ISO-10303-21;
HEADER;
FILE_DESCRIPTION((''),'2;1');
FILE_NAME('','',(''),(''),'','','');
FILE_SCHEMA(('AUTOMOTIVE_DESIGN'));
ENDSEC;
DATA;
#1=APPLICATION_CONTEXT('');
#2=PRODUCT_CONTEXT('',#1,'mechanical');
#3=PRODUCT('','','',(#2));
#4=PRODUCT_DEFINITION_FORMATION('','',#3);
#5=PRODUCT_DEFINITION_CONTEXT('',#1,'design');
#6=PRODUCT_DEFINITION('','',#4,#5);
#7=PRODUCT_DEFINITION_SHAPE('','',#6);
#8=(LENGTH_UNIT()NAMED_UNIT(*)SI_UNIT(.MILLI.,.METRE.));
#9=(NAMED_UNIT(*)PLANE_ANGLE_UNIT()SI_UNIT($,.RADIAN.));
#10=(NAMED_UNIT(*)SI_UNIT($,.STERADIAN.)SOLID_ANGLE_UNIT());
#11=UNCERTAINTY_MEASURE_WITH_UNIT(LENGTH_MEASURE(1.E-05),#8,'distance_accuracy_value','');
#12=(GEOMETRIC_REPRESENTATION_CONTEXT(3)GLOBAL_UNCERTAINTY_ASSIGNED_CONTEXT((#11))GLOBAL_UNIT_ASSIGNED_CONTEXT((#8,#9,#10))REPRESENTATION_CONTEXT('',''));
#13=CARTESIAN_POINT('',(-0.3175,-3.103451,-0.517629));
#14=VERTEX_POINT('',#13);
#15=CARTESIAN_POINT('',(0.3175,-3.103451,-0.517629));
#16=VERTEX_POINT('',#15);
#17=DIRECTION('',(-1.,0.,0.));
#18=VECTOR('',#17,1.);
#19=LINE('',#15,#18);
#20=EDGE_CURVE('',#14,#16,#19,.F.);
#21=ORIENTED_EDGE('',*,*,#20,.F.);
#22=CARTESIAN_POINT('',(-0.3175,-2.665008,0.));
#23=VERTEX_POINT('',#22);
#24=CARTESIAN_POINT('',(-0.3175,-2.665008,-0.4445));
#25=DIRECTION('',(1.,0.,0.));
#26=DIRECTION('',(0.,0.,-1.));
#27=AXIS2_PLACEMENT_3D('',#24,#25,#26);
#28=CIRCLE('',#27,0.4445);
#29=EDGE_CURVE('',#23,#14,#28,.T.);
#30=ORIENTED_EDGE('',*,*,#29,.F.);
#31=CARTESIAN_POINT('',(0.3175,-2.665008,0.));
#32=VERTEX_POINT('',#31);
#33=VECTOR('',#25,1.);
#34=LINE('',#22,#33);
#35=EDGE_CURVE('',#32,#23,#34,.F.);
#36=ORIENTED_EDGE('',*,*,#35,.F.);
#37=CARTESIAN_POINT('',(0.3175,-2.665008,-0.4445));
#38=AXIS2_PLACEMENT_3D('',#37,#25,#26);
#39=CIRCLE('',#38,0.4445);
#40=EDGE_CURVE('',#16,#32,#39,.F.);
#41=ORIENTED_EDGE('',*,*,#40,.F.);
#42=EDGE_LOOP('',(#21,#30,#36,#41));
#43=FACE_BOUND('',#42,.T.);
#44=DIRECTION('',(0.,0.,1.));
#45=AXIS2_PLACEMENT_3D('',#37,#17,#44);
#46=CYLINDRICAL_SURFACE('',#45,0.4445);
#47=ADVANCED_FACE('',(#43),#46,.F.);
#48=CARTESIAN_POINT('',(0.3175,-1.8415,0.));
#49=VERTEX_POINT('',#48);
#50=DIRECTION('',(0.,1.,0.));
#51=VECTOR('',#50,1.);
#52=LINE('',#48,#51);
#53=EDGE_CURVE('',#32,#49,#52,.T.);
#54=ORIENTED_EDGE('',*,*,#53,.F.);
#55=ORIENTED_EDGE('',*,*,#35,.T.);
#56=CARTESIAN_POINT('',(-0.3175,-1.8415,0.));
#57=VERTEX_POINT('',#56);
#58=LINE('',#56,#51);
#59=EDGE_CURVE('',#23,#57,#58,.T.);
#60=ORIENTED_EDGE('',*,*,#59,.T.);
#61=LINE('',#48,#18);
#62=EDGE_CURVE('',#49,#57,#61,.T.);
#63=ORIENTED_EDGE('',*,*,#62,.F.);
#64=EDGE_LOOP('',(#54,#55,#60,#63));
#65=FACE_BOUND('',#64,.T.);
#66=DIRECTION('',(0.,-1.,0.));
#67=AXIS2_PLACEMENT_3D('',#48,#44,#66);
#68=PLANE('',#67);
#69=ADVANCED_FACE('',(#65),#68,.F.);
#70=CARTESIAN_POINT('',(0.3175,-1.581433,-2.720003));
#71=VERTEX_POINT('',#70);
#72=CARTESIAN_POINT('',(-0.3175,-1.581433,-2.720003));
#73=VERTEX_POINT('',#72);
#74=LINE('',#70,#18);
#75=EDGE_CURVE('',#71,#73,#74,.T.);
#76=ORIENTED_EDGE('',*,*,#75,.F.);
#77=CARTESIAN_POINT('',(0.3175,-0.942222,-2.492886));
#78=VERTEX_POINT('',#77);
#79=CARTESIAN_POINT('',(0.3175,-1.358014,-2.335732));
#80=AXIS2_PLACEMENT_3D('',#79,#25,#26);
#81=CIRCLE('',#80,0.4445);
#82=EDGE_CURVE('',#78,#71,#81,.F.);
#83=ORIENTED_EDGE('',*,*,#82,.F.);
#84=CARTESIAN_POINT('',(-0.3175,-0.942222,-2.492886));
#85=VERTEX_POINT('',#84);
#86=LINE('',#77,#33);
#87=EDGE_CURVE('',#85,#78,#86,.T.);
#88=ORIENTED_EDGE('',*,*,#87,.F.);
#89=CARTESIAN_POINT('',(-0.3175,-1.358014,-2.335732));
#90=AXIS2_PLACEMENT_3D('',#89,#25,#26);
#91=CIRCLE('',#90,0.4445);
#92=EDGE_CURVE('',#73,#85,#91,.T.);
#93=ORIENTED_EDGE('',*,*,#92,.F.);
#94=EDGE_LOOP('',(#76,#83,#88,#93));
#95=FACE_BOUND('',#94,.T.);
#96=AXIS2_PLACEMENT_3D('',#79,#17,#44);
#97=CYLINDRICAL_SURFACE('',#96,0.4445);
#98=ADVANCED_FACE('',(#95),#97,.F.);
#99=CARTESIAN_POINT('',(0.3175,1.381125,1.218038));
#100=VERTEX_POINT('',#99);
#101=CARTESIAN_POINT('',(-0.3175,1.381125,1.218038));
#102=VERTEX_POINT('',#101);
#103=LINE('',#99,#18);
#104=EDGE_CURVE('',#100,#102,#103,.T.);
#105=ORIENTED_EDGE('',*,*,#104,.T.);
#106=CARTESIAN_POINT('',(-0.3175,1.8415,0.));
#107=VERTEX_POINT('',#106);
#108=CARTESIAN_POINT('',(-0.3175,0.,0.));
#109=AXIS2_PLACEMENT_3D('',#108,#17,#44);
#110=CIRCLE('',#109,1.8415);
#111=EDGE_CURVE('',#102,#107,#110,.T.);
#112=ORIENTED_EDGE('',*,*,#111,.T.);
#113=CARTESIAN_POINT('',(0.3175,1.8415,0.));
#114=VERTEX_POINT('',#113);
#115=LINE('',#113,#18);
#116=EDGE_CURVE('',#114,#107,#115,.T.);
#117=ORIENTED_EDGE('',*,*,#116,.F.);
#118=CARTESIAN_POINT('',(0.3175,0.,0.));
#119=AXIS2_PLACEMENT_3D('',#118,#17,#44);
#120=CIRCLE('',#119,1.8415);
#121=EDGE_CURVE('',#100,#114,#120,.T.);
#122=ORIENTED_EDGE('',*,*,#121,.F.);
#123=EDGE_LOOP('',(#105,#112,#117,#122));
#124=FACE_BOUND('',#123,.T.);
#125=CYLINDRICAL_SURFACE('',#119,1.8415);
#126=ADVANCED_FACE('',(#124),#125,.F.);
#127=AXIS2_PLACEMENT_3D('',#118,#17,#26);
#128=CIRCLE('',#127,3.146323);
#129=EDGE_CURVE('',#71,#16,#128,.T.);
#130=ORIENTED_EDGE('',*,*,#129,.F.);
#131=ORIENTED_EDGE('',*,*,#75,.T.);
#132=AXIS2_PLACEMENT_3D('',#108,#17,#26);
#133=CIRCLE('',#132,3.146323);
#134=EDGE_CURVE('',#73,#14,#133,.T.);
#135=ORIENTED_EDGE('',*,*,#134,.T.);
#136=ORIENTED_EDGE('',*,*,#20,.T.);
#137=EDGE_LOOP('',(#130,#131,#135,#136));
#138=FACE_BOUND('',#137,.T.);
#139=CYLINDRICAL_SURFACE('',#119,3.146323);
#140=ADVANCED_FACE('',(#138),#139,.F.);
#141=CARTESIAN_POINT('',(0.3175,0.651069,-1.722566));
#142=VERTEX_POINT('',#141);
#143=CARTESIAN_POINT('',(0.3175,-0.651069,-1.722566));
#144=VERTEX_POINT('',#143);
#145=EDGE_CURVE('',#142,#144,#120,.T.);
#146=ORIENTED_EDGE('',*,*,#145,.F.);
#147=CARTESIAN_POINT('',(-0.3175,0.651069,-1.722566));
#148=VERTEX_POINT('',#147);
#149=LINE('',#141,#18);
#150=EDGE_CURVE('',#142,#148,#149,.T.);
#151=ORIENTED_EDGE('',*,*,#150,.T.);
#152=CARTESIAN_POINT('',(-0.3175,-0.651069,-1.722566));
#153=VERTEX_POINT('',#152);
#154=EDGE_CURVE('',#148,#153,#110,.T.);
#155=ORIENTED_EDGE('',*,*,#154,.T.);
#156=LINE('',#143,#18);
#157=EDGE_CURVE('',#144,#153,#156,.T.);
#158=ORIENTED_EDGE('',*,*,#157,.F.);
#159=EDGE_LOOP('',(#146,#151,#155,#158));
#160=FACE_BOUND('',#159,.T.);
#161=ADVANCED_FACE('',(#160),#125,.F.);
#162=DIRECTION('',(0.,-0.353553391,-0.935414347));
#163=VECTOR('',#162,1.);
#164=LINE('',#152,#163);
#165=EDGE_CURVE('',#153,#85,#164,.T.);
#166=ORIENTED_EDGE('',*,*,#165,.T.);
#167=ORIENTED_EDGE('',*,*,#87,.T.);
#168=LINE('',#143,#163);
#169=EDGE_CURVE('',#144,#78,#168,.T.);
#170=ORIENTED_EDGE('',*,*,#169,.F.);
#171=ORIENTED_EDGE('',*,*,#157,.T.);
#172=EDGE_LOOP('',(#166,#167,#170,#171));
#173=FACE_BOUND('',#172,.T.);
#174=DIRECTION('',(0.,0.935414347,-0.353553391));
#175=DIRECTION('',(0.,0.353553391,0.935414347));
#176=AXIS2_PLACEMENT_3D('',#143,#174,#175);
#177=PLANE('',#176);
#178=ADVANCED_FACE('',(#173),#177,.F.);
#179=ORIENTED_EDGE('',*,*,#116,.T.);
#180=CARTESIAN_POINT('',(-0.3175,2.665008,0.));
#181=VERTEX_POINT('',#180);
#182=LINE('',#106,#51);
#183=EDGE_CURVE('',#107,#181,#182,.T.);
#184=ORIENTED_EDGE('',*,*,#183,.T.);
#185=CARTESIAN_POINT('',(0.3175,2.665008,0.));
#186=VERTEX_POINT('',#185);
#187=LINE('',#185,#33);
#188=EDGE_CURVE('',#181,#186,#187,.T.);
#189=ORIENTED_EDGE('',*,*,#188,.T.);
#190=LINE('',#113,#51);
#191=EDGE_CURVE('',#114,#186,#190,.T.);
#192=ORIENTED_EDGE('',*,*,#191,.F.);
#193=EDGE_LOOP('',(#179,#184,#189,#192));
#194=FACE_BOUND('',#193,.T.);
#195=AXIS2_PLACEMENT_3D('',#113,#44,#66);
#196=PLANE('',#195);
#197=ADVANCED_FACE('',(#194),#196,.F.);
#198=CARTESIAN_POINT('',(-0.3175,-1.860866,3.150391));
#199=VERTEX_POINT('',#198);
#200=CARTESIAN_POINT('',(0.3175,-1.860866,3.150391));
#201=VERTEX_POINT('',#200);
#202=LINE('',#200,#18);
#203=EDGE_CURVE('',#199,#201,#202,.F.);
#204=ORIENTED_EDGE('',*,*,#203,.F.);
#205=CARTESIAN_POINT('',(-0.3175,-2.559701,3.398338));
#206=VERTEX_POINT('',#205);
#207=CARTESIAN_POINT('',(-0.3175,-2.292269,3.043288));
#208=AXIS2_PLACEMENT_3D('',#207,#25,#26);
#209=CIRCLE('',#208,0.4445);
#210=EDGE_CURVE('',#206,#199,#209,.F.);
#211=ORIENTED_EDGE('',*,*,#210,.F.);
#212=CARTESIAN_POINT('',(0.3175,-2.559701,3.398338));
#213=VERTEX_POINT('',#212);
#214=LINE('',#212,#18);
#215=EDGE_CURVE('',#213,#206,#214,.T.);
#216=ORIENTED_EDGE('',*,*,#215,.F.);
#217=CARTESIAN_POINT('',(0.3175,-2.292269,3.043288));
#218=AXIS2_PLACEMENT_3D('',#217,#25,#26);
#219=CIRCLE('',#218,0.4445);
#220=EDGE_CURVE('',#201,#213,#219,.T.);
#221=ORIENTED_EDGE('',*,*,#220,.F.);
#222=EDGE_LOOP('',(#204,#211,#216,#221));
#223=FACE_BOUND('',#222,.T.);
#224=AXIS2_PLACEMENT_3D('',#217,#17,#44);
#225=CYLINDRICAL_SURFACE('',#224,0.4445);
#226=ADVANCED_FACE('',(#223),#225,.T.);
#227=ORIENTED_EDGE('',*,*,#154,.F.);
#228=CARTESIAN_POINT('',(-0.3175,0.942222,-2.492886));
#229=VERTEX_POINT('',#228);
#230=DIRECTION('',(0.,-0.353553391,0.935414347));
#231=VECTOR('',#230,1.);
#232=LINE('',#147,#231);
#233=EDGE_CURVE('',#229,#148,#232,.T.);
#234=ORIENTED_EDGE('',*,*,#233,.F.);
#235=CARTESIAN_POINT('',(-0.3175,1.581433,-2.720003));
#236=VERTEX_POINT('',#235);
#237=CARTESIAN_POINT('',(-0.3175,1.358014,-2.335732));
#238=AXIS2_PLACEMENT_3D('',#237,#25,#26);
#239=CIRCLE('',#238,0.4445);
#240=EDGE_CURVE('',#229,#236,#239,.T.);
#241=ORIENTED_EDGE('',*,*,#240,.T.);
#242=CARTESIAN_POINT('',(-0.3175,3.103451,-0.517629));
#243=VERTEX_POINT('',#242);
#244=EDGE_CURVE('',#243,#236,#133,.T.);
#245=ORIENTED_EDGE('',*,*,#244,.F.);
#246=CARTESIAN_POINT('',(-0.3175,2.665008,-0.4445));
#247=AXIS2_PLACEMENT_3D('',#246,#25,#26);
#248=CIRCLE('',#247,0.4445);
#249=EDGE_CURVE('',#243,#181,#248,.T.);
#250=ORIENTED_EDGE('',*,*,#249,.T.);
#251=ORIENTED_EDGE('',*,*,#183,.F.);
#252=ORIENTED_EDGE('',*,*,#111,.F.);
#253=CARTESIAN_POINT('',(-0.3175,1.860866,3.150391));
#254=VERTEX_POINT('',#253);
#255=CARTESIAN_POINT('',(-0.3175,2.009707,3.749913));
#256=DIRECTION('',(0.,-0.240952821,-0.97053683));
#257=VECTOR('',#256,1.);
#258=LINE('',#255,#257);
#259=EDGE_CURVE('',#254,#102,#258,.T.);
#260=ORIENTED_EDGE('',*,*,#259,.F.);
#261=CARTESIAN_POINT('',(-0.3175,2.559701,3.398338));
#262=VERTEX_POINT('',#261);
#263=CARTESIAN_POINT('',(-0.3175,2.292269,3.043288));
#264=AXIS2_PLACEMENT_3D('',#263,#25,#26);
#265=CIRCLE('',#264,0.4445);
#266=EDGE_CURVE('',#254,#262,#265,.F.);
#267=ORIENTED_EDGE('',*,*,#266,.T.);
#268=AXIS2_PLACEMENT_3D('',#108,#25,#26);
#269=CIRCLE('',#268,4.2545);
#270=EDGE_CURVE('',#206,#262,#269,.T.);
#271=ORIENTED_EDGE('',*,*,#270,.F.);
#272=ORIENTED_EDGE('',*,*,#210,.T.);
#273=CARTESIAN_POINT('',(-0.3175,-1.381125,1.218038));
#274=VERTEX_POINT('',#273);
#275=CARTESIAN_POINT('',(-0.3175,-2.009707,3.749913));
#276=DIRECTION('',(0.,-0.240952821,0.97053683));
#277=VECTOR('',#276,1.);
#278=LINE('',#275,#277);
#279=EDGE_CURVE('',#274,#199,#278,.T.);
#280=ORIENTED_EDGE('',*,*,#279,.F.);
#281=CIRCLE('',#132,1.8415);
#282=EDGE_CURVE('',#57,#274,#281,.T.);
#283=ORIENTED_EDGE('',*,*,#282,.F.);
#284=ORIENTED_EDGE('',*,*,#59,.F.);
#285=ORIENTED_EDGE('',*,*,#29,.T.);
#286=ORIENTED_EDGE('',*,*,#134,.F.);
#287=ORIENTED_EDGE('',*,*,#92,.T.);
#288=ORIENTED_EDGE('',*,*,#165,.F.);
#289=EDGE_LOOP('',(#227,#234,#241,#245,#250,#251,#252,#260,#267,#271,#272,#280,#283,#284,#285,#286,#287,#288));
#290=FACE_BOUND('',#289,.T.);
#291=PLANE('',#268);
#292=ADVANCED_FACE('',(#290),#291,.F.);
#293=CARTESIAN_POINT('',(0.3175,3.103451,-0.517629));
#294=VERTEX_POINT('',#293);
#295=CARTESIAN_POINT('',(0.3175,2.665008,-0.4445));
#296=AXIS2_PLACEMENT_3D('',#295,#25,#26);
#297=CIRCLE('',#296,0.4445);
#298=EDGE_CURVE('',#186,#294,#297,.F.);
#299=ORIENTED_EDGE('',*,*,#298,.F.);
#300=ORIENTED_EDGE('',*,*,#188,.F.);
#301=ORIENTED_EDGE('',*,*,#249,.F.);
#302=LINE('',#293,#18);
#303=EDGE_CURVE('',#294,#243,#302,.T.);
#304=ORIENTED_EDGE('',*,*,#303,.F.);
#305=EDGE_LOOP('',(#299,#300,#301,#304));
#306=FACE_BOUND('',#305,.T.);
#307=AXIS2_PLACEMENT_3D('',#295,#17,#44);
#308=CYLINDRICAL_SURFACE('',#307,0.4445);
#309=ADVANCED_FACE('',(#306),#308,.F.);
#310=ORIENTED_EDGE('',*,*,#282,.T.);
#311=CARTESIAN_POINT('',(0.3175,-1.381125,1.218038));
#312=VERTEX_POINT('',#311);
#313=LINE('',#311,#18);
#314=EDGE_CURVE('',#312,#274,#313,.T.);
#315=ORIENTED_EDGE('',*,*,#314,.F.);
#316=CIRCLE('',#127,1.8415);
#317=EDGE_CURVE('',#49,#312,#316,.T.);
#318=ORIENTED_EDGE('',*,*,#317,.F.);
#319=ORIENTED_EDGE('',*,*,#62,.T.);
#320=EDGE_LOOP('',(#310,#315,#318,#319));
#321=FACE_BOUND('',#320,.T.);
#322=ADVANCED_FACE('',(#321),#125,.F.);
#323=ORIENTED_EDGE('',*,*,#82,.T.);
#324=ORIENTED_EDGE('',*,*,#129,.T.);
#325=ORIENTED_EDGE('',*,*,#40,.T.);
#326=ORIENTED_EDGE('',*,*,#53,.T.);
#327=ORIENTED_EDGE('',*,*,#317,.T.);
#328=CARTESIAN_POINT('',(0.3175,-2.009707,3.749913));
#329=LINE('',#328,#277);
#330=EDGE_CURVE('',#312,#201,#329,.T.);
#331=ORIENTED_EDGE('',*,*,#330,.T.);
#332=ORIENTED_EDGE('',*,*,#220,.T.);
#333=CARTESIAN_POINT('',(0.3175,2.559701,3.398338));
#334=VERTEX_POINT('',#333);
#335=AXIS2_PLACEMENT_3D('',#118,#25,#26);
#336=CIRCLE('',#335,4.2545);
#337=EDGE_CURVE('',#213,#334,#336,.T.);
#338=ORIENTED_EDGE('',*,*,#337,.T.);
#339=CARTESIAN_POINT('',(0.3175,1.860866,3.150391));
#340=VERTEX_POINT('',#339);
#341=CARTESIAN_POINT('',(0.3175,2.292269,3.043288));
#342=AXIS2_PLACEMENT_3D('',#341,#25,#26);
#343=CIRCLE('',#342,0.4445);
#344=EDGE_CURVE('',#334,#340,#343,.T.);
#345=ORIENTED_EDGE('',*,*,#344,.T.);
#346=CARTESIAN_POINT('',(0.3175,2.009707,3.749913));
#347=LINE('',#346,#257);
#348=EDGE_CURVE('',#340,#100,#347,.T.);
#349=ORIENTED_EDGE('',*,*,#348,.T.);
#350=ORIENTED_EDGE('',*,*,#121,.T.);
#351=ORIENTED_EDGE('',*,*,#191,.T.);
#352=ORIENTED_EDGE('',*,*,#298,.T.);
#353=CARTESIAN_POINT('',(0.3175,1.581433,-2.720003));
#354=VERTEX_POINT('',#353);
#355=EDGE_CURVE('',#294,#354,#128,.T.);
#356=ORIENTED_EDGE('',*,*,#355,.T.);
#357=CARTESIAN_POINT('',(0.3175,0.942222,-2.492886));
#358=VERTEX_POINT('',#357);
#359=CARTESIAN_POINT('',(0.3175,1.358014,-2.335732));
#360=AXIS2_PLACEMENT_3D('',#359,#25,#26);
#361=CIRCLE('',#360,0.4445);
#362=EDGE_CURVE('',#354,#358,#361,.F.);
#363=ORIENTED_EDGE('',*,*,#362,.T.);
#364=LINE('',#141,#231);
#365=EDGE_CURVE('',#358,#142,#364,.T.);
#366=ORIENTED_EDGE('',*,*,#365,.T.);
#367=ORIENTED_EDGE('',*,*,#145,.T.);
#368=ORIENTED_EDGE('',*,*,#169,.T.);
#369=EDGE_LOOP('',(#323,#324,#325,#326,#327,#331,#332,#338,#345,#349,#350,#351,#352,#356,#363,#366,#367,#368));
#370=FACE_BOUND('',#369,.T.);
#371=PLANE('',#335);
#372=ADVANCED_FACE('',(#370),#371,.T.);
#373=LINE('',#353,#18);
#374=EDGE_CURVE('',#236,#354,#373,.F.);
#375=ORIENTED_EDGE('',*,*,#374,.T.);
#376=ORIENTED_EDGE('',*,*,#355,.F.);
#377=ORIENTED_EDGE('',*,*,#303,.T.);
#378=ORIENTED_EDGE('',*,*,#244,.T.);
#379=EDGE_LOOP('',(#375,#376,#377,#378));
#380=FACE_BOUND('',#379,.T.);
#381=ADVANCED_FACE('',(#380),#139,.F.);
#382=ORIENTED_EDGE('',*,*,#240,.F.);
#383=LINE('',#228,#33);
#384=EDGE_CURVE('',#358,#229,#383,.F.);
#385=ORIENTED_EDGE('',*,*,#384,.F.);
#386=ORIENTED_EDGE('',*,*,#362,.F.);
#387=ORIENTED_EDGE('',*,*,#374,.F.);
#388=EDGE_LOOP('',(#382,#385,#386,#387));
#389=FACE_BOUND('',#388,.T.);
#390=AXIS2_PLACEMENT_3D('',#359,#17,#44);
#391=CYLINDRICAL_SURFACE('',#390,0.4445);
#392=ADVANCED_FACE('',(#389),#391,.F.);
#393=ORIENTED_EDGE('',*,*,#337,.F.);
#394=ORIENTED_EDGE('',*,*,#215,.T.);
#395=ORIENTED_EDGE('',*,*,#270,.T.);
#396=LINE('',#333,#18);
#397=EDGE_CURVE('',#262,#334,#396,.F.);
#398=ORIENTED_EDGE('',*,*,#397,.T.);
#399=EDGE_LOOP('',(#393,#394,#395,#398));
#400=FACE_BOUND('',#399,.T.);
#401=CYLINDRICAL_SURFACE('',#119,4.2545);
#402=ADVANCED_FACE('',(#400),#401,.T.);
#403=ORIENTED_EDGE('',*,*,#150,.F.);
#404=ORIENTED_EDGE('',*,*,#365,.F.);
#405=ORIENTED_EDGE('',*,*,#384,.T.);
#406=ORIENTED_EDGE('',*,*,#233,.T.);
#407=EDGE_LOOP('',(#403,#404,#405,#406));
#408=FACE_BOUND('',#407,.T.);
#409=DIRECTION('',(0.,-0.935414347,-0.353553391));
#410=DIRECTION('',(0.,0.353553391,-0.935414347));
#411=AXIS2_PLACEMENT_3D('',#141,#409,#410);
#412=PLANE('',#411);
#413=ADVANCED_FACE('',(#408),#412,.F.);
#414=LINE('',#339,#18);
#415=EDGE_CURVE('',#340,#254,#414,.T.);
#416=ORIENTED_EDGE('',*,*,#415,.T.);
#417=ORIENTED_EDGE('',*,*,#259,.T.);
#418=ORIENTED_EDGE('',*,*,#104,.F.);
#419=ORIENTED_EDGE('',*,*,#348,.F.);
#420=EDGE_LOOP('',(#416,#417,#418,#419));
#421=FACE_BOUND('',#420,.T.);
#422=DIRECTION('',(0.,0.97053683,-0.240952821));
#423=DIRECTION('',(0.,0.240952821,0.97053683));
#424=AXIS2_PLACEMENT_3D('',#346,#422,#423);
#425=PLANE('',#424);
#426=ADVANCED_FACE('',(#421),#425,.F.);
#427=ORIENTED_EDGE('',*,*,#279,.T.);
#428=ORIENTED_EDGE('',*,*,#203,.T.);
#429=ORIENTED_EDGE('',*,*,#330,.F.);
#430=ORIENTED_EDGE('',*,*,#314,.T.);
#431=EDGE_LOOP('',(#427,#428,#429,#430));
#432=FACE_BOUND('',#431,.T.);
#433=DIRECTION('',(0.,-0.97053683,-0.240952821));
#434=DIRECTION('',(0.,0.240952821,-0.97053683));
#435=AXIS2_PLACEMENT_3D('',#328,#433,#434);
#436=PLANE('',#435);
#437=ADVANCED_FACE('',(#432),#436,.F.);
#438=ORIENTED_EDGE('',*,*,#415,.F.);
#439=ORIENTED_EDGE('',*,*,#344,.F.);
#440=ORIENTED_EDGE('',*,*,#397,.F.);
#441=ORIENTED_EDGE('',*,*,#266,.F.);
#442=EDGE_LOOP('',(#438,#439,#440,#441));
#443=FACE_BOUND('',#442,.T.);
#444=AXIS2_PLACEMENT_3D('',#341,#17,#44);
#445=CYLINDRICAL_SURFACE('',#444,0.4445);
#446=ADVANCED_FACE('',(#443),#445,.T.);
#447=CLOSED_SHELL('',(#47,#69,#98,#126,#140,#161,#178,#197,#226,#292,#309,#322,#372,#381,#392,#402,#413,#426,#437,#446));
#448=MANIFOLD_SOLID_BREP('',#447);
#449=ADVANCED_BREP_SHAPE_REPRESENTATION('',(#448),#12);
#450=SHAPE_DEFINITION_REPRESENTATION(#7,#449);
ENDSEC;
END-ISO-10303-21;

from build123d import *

# Parameters (mm, degrees)
EXTRUDE1_DEPTH = 0.3175
FILLET1_R      = 0.4445


with BuildPart() as part:
    # Sketch1 → Extrude1 (new body, symmetric)
    with BuildSketch(Plane(origin=(0, 0, 0), x_dir=(0, 0, -1), z_dir=(1, 0, 0))):
        with BuildLine():
            Line((-3.749912818, -2.009707469), (-1.21803776, -1.381125))
            ThreePointArc((-1.21803776, -1.381125), (-0.651068569, -1.722565519), (0, -1.8415))
            Line((0, -1.8415), (0, -3.146322581))
            ThreePointArc((0, -3.146322581), (1.78877032, -2.58836754), (2.943115281, -1.112393016))
            Line((2.943115281, -1.112393016), (1.722565519, -0.651068569))
            ThreePointArc((1.722565519, -0.651068569), (1.8415, 0), (1.722565519, 0.651068569))
            Line((1.722565519, 0.651068569), (2.943115281, 1.112393016))
            ThreePointArc((2.943115281, 1.112393016), (1.78877032, 2.58836754), (0, 3.146322581))
            Line((0, 3.146322581), (0, 1.8415))
            ThreePointArc((0, 1.8415), (-0.651068569, 1.722565519), (-1.21803776, 1.381125))
            Line((-1.21803776, 1.381125), (-3.749912818, 2.009707469))
            ThreePointArc((-3.749912818, 2.009707469), (4.2545, 0), (-3.749912818, -2.009707469))
        make_face()
    extrude(amount=EXTRUDE1_DEPTH, both=True)

    # Fillet1
    fillet1_edges = [part.edges().sort_by_distance(p)[0] for p in [
        (0, -2.009707469, 3.749912818),
        (0, -3.146322581, 0),
        (0, -1.112393016, -2.943115281),
        (0, 1.112393016, -2.943115281),
        (0, 3.146322581, 0),
        (0, 2.009707469, 3.749912818),
    ]]
    fillet(fillet1_edges, radius=FILLET1_R)


solid = part.part
